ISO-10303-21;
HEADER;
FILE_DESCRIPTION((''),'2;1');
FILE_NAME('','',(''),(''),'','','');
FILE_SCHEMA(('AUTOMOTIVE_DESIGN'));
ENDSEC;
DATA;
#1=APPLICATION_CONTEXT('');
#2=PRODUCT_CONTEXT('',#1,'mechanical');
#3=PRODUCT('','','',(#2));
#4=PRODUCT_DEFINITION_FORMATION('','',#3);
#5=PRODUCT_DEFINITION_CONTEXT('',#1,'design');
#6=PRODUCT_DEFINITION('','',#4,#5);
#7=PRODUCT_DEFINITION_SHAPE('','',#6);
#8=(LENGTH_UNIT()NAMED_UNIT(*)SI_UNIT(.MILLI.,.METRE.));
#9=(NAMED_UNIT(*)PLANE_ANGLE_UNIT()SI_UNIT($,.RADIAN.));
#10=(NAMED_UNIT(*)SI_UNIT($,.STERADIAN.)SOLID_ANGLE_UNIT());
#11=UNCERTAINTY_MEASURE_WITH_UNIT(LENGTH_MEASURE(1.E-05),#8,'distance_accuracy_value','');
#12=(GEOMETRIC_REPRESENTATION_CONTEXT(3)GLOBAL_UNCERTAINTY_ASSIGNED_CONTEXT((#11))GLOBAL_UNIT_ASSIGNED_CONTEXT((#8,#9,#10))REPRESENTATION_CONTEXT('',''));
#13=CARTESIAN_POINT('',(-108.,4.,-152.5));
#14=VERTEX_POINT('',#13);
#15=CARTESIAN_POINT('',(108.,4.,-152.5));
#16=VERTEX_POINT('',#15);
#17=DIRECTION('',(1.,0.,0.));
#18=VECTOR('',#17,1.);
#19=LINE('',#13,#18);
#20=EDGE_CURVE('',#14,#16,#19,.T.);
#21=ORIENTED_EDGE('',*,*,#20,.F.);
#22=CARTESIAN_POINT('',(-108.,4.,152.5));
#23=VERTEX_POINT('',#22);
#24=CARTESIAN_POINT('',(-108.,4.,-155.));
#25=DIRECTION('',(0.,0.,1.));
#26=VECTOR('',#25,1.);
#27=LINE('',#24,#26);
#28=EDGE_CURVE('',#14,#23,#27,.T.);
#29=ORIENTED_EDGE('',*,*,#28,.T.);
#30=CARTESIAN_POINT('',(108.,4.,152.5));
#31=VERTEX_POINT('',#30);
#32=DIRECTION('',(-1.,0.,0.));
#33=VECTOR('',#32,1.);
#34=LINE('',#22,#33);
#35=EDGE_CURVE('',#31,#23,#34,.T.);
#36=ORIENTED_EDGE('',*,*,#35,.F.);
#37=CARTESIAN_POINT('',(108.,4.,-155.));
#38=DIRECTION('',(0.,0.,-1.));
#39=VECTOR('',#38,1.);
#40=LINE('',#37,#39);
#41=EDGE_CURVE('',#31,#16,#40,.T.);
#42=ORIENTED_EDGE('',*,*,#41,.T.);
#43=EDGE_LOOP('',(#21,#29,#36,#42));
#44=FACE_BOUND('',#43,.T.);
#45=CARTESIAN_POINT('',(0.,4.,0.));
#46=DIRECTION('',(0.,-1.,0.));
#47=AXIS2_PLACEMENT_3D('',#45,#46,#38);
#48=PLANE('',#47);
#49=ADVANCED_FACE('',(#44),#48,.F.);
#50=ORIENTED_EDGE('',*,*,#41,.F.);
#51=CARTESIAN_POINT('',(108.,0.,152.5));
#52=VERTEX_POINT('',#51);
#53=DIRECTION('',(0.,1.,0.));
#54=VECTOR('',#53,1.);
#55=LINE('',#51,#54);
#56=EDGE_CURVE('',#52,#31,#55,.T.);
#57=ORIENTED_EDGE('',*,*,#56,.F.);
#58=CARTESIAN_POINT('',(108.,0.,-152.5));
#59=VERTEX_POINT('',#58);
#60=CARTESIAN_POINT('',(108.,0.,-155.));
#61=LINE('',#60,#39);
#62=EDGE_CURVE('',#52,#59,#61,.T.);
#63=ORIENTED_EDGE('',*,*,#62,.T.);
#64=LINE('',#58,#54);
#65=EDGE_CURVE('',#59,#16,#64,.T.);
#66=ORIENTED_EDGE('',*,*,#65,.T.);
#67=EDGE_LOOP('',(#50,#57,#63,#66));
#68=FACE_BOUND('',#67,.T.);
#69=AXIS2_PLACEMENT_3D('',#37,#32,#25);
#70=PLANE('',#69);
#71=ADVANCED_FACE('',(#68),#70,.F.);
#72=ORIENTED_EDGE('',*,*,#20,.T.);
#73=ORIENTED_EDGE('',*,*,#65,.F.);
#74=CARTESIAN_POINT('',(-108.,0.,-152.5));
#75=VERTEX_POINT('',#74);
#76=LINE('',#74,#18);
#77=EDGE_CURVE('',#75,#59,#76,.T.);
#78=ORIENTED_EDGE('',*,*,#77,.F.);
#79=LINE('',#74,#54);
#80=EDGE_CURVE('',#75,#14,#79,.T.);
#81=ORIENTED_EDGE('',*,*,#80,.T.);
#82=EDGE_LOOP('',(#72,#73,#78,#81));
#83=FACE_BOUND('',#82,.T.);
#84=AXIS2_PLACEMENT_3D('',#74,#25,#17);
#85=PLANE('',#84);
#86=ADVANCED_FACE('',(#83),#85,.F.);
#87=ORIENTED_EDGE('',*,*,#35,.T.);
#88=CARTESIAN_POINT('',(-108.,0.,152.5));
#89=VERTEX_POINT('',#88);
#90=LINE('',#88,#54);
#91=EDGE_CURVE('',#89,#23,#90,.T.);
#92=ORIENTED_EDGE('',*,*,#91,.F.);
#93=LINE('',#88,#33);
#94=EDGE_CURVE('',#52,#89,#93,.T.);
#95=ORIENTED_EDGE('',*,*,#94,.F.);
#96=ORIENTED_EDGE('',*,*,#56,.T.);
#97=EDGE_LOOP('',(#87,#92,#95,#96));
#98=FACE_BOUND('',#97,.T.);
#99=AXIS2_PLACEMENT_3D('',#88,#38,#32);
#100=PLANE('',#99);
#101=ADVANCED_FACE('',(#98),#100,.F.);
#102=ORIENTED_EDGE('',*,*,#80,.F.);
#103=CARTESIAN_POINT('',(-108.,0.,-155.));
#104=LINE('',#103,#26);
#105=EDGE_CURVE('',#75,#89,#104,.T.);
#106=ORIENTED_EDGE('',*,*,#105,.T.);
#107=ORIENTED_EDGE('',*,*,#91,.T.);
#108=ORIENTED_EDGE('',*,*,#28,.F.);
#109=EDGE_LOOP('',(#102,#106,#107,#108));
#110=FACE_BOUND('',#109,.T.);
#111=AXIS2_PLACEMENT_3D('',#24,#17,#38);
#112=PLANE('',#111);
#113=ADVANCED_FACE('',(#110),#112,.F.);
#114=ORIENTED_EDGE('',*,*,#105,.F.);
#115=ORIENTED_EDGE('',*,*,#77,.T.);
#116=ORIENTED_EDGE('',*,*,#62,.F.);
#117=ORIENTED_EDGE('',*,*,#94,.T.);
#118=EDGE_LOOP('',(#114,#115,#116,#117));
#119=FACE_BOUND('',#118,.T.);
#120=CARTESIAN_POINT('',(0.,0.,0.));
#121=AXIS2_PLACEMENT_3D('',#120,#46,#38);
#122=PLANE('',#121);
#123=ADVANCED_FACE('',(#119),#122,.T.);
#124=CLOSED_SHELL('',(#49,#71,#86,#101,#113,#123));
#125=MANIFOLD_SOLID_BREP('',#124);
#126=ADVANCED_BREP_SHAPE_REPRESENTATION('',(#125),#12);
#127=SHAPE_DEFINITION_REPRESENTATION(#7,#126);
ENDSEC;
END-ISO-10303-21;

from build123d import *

# Parameters (mm, degrees)
CROQUIS1_W              = 216
CROQUIS1_H              = 310
SALIENTE_EXTRUIR1_DEPTH = 4
CROQUIS2_W              = 216
CROQUIS2_H              = 2.5
CORTAR_EXTRUIR1_DEPTH   = 4


with BuildPart() as part:
    # Croquis1 → Saliente-Extruir1 (new body)
    with BuildSketch(Plane(origin=(0, 0, 0), x_dir=(1, 0, 0), z_dir=(0, 1, 0))):
        Rectangle(CROQUIS1_W, CROQUIS1_H)
    extrude(amount=SALIENTE_EXTRUIR1_DEPTH)

    # Croquis2 → Cortar-Extruir1 (cut)
    with BuildSketch(Plane(origin=(0, 4, 0), x_dir=(1, 0, 0), z_dir=(0, 1, 0))):
        with Locations((0, 153.75)):
            Rectangle(CROQUIS2_W, CROQUIS2_H)
        with Locations((0, -153.75)):
            Rectangle(CROQUIS2_W, CROQUIS2_H)
    extrude(amount=-CORTAR_EXTRUIR1_DEPTH, mode=Mode.SUBTRACT)


solid = part.part
